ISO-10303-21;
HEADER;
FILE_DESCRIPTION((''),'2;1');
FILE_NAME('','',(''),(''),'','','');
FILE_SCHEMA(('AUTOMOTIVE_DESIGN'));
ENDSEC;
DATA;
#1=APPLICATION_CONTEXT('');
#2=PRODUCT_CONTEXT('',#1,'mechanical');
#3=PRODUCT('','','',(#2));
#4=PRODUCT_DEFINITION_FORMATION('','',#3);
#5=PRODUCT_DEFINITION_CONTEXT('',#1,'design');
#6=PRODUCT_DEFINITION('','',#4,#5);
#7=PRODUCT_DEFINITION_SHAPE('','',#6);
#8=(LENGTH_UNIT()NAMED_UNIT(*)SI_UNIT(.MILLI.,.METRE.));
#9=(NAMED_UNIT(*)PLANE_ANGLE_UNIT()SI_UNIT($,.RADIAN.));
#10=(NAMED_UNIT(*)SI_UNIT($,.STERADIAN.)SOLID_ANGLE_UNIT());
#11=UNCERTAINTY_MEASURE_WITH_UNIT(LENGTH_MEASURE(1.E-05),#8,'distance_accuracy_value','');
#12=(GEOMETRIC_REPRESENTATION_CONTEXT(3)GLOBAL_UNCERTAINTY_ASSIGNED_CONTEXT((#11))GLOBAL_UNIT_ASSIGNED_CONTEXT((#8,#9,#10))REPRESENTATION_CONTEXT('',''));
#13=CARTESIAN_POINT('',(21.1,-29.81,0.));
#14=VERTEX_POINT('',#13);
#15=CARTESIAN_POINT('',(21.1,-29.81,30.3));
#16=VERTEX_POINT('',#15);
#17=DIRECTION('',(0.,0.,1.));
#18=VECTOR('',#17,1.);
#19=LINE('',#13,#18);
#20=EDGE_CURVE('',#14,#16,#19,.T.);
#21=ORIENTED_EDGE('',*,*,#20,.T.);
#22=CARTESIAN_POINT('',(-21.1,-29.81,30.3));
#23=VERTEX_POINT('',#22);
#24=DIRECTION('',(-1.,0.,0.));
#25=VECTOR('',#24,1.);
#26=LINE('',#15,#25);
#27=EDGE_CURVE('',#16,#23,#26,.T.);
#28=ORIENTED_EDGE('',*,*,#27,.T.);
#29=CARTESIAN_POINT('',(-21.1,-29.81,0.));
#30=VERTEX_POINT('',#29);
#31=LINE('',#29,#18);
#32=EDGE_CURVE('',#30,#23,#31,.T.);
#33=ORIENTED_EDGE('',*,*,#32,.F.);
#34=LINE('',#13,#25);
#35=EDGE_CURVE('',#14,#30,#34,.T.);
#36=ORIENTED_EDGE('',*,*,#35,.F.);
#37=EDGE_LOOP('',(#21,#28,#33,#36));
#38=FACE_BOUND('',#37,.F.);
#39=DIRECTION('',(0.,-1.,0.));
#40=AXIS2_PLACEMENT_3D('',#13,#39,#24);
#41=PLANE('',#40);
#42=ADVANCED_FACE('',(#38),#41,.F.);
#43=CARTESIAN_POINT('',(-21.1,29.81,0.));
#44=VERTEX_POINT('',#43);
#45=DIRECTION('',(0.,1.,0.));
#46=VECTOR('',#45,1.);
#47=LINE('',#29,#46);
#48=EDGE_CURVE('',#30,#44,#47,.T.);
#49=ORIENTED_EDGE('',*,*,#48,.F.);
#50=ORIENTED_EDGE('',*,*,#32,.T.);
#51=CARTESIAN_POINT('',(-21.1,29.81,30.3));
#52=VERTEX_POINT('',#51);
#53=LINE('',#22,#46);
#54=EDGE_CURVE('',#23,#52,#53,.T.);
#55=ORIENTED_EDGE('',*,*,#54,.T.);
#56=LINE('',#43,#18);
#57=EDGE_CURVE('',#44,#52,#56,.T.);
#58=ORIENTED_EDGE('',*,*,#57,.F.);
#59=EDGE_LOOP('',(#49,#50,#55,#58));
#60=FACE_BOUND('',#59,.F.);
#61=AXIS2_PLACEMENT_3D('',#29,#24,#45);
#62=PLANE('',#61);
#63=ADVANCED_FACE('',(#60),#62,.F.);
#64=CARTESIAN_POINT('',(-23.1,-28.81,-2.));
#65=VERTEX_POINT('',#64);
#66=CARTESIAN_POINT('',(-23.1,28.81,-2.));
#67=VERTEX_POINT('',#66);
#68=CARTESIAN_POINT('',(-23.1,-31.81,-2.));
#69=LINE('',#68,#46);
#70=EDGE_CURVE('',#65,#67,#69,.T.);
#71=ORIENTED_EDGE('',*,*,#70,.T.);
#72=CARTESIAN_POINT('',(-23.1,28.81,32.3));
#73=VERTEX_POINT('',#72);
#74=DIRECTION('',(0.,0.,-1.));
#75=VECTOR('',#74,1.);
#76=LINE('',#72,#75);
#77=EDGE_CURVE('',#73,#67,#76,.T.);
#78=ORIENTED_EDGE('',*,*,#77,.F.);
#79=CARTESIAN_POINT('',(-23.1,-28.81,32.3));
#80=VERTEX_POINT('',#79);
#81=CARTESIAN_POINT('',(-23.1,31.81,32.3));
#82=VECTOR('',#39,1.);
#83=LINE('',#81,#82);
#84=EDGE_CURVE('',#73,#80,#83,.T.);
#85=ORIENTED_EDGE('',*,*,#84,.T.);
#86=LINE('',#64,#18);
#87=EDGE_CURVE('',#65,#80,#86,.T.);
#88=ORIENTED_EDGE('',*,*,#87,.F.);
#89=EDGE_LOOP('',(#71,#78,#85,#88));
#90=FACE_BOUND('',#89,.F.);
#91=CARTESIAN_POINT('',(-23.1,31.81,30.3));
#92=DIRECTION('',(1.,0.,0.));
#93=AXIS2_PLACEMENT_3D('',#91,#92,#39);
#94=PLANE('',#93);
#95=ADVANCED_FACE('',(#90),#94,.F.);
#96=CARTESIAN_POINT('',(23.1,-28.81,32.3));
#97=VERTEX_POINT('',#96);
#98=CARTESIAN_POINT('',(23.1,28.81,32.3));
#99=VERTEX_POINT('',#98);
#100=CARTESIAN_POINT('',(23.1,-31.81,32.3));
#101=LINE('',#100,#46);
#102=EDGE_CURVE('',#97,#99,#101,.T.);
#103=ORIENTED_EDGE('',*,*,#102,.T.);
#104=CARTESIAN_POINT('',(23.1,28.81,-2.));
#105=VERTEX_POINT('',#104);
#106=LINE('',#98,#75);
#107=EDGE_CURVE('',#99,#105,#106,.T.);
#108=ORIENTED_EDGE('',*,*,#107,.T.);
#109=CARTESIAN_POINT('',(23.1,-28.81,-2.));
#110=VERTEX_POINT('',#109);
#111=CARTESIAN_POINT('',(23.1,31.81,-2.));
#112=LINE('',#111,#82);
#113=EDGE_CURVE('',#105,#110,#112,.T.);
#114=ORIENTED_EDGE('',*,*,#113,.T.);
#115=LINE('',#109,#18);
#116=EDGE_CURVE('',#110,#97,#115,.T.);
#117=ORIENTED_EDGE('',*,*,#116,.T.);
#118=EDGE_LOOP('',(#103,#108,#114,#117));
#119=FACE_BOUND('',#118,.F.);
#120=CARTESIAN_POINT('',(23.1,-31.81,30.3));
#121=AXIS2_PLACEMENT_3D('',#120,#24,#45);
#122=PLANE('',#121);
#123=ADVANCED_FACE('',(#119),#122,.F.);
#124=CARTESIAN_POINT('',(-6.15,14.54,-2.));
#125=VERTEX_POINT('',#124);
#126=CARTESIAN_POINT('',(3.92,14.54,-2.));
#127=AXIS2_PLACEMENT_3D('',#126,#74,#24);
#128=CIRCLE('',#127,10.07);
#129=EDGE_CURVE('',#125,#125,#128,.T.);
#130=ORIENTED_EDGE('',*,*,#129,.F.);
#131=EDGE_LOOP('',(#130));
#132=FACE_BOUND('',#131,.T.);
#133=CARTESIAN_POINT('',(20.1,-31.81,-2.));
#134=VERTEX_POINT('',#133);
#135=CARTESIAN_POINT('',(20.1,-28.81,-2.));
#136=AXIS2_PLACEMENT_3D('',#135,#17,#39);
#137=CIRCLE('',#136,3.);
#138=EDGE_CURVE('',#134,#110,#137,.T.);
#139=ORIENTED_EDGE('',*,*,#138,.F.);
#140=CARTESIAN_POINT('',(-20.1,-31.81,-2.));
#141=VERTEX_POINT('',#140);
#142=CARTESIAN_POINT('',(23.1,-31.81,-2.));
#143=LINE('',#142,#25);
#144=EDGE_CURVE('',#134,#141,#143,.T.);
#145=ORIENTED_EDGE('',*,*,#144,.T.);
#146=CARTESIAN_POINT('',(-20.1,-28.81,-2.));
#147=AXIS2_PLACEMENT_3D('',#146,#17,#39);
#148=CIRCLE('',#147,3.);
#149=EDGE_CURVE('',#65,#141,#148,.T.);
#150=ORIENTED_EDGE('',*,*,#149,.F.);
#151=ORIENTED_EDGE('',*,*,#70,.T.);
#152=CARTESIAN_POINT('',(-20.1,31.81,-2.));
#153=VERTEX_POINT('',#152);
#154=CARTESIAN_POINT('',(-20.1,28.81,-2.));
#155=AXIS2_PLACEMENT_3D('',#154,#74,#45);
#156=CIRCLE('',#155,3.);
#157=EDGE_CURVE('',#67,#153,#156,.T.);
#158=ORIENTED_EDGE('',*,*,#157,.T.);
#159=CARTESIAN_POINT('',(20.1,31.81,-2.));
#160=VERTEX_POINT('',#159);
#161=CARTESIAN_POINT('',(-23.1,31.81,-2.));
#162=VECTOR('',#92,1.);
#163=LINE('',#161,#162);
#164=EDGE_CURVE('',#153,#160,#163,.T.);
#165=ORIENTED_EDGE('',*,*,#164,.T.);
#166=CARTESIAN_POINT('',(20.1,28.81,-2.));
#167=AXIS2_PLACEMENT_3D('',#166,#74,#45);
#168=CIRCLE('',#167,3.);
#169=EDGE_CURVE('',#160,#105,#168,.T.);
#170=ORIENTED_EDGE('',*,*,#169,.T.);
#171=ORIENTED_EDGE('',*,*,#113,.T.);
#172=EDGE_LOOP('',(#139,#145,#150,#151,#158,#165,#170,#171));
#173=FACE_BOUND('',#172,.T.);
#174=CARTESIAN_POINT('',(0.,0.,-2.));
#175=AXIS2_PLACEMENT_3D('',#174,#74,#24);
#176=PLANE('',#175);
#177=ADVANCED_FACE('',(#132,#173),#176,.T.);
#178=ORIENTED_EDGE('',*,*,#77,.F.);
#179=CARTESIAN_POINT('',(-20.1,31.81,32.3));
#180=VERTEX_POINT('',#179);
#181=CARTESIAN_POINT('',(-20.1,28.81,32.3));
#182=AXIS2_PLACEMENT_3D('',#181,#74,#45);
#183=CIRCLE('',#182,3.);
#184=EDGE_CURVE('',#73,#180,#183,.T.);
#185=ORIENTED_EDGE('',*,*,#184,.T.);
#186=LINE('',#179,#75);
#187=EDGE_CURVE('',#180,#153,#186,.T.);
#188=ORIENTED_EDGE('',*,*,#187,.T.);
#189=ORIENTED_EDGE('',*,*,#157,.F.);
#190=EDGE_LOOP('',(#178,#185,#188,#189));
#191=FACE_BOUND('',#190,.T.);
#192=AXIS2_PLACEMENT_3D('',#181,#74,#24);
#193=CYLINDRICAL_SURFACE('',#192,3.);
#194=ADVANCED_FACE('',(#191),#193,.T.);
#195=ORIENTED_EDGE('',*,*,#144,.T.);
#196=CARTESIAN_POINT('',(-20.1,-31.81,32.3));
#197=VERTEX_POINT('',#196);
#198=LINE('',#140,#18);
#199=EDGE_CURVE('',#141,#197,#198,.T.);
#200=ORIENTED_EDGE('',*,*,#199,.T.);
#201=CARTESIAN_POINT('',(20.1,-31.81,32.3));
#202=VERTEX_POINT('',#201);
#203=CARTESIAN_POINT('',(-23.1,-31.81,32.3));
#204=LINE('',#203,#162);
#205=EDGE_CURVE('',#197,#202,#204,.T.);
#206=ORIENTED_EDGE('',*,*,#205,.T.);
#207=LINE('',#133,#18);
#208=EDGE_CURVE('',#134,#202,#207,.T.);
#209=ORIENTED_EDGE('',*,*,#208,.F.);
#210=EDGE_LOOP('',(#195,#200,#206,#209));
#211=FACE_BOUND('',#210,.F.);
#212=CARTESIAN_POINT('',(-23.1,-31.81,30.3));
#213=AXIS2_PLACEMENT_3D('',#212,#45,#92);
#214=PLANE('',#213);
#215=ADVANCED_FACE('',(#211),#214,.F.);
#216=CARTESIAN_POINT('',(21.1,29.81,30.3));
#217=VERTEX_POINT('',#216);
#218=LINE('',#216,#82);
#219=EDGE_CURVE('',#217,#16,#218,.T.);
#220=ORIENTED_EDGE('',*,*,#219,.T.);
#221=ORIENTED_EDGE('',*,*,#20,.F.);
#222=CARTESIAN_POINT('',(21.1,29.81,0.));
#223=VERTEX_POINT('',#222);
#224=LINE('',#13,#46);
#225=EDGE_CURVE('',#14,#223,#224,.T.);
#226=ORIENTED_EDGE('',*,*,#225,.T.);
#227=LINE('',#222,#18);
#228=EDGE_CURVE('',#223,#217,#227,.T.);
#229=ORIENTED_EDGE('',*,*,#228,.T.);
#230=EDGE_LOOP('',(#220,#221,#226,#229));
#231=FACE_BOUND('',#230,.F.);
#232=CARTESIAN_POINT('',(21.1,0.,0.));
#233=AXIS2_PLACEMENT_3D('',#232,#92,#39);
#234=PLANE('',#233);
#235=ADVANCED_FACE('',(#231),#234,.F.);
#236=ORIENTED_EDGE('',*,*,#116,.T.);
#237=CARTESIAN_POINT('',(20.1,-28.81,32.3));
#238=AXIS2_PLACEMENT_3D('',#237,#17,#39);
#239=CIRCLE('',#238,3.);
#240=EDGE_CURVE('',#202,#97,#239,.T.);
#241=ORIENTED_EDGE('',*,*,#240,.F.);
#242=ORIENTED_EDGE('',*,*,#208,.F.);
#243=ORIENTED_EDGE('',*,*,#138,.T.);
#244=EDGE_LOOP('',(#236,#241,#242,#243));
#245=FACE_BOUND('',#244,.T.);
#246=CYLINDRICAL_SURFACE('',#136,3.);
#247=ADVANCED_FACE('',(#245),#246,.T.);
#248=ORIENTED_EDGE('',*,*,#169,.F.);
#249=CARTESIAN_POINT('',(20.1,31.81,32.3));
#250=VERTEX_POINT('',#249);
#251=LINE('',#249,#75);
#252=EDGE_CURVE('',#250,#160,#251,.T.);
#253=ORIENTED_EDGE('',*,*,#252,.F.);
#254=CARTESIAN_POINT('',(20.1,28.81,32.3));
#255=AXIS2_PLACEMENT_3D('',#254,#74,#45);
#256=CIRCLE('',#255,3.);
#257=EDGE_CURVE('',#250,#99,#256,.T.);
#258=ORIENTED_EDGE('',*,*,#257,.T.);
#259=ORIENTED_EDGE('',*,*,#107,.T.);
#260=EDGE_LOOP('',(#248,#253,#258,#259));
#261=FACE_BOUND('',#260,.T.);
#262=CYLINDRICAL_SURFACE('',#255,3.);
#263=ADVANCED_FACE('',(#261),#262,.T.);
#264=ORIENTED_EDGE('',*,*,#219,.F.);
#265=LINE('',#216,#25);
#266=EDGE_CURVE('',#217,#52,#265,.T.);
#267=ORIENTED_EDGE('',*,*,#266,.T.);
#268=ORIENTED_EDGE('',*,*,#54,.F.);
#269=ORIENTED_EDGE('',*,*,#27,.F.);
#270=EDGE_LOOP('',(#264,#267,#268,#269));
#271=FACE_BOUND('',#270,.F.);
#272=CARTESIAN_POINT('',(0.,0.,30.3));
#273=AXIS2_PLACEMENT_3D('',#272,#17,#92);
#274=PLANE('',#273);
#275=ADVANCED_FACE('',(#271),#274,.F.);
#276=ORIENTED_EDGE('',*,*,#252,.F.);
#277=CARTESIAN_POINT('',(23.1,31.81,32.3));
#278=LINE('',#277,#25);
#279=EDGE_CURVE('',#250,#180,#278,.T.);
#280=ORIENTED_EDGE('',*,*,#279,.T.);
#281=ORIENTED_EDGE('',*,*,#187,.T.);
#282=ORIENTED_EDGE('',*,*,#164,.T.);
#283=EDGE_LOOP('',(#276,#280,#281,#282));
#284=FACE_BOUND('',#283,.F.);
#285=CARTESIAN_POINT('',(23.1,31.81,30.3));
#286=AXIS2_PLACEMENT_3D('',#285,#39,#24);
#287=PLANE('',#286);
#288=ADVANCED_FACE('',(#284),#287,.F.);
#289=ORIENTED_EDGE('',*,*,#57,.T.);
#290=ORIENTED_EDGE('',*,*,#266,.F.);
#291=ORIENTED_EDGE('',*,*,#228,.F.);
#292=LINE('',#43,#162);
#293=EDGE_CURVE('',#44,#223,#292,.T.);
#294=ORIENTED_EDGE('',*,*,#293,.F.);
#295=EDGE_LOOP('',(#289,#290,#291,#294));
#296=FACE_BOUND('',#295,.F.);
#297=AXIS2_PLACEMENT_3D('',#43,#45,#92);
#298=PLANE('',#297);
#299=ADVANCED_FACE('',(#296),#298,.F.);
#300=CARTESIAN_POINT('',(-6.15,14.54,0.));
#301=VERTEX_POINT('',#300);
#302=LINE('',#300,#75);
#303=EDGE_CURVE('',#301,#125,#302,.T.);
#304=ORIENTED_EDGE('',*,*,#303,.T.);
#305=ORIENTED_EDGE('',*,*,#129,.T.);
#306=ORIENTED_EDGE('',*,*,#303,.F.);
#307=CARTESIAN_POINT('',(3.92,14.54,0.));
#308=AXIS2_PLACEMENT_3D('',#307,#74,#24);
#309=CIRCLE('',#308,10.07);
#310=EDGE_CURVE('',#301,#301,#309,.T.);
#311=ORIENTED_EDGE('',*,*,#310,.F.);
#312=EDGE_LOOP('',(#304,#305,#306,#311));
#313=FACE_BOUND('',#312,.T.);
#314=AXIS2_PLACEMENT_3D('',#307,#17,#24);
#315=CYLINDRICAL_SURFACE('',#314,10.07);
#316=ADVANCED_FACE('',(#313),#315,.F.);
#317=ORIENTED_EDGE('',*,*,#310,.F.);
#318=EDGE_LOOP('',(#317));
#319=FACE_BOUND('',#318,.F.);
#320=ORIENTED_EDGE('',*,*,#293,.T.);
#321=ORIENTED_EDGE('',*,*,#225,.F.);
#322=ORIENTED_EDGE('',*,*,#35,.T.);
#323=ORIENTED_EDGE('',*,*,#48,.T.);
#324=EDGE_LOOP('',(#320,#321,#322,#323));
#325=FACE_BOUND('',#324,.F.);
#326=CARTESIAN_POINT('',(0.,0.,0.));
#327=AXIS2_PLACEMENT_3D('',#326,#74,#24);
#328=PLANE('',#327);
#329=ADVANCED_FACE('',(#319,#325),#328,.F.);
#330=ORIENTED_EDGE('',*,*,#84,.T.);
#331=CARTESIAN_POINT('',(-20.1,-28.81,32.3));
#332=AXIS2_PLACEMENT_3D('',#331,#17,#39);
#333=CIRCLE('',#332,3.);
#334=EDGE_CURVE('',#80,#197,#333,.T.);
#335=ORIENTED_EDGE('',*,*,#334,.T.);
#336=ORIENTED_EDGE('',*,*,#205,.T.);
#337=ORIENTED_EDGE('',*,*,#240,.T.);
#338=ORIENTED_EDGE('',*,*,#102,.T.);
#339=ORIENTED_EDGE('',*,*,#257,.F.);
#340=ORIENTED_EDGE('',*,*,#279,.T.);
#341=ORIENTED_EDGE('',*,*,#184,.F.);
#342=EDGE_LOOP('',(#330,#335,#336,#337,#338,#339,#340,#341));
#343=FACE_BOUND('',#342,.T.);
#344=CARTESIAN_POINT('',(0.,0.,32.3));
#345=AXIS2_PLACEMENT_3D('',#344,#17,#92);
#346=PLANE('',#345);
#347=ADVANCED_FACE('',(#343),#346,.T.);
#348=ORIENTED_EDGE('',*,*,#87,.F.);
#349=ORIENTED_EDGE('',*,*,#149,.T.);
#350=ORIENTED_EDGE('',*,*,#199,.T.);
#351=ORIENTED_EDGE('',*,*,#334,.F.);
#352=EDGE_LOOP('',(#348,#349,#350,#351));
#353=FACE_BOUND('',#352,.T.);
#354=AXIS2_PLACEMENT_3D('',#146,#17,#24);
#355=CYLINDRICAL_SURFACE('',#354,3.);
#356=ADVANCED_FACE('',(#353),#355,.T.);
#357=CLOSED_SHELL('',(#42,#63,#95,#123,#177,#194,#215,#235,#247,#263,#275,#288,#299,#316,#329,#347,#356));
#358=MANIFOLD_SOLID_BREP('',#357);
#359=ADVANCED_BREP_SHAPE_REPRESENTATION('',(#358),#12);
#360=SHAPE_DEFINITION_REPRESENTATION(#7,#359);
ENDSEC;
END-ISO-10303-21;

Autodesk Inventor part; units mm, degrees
ref_plane "YZ Plane" through (0, 0, 0) normal (1, 0, 0) x (0, 1, 0)
ref_plane "XZ Plane" through (0, 0, 0) normal (0, 1, 0) x (-1, 0, 0)
ref_plane "XY Plane" through (0, 0, 0) normal (0, 0, 1) x (1, 0, 0)
sketch "Sketch1" plane through (0, 0, 0) normal (0, 0, 1) x (1, 0, 0)
  line L0 (-21.1, 29.81) -> (21.1, 29.81)
  line L1 (21.1, 29.81) -> (21.1, -29.81)
  line L2 (21.1, -29.81) -> (-21.1, -29.81)
  line L3 (-21.1, -29.81) -> (-21.1, 29.81)
  line L4 (0, 0) -> (0, 68.2086)
  line L5 (0, 0) -> (53.7664, 0)
  line L6 (-21.1, 29.81) -> (21.1, 29.81)
  line L7 (21.1, 29.81) -> (21.1, -29.81)
  line L8 (21.1, -29.81) -> (-21.1, -29.81)
  line L9 (-21.1, -29.81) -> (-21.1, 29.81)
  line L10 (0, 0) -> (0, 68.2086)
  line L11 (0, 0) -> (54.462, 0)
  line L12 (-23.1, 31.81) -> (23.1, 31.81)
  line L13 (23.1, 31.81) -> (23.1, -31.81)
  line L14 (23.1, -31.81) -> (-23.1, -31.81)
  line L15 (-23.1, -31.81) -> (-23.1, 31.81)
  line L16 (-26.1, 34.81) -> (26.1, 34.81)
  line L17 (26.1, 34.81) -> (26.1, -34.81)
  line L18 (26.1, -34.81) -> (-26.1, -34.81)
  line L19 (-26.1, -34.81) -> (-26.1, 34.81)
  dimension "d0" = 59.62
  dimension "d1" = 42.2
  dimension "d2" = 59.62
  dimension "d3" = 42.2
  dimension "d4" = 2
  dimension "d5" = 2
  dimension "d6" = 0
  dimension "d7" = 3
  dimension "d8" = 3
extrude "Extrusion1" add sketch "Sketch1" along normal blind 30.3 contours L3 L2 L1 L5 L13 L14 L15 L12 L4 L0 | L4 L12 L13 L5 L1 L0
sketch "Sketch2" plane through (0, 0, 30.3) normal (0, 0, 1) x (1, 0, 0)
  line L0 (-23.1, -31.81) -> (23.1, -31.81)
  line L1 (23.1, -31.81) -> (23.1, 31.81)
  line L2 (23.1, 31.81) -> (-23.1, 31.81)
  line L3 (-23.1, 31.81) -> (-23.1, -31.81)
  point P0 (0, 0)
extrude "Extrusion2" add sketch "Sketch2" along normal blind 2
sketch "Sketch3" plane through (0, 0, 0) normal (0, 0, -1) x (-1, 0, 0)
  line L0 (-23.1, -31.81) -> (23.1, -31.81) projected
  line L1 (23.1, -31.81) -> (23.1, 31.81) projected
  line L2 (23.1, 31.81) -> (-23.1, 31.81) projected
  line L3 (-23.1, 31.81) -> (-23.1, -31.81) projected
  circle A0 centre (-3.92, 14.54) radius 10.07
  line L4 (21.1, 29.81) -> (21.1, -29.81)
  line L5 (-21.1, 29.81) -> (21.1, 29.81)
  line L6 (-21.1, -29.81) -> (-21.1, 29.81)
  line L7 (21.1, -29.81) -> (-21.1, -29.81)
  point P0 (0, 0)
  point P1 (0, 0)
extrude "Extrusion3" add sketch "Sketch3" along normal blind 2 contours L3 L2 L1 L0 | L4 L7 L6 L5
fillet "Fillet3" radius 3 4 edges at (-23.1, -31.81, 15.15) (-23.1, 31.81, 15.15) (23.1, -31.81, 15.15) (23.1, 31.81, 15.15)
equation "\"d5\" = d4"
equation "\"d8\" = d7"
properties part number "Cam.Silicon.back" material "Silicone"
